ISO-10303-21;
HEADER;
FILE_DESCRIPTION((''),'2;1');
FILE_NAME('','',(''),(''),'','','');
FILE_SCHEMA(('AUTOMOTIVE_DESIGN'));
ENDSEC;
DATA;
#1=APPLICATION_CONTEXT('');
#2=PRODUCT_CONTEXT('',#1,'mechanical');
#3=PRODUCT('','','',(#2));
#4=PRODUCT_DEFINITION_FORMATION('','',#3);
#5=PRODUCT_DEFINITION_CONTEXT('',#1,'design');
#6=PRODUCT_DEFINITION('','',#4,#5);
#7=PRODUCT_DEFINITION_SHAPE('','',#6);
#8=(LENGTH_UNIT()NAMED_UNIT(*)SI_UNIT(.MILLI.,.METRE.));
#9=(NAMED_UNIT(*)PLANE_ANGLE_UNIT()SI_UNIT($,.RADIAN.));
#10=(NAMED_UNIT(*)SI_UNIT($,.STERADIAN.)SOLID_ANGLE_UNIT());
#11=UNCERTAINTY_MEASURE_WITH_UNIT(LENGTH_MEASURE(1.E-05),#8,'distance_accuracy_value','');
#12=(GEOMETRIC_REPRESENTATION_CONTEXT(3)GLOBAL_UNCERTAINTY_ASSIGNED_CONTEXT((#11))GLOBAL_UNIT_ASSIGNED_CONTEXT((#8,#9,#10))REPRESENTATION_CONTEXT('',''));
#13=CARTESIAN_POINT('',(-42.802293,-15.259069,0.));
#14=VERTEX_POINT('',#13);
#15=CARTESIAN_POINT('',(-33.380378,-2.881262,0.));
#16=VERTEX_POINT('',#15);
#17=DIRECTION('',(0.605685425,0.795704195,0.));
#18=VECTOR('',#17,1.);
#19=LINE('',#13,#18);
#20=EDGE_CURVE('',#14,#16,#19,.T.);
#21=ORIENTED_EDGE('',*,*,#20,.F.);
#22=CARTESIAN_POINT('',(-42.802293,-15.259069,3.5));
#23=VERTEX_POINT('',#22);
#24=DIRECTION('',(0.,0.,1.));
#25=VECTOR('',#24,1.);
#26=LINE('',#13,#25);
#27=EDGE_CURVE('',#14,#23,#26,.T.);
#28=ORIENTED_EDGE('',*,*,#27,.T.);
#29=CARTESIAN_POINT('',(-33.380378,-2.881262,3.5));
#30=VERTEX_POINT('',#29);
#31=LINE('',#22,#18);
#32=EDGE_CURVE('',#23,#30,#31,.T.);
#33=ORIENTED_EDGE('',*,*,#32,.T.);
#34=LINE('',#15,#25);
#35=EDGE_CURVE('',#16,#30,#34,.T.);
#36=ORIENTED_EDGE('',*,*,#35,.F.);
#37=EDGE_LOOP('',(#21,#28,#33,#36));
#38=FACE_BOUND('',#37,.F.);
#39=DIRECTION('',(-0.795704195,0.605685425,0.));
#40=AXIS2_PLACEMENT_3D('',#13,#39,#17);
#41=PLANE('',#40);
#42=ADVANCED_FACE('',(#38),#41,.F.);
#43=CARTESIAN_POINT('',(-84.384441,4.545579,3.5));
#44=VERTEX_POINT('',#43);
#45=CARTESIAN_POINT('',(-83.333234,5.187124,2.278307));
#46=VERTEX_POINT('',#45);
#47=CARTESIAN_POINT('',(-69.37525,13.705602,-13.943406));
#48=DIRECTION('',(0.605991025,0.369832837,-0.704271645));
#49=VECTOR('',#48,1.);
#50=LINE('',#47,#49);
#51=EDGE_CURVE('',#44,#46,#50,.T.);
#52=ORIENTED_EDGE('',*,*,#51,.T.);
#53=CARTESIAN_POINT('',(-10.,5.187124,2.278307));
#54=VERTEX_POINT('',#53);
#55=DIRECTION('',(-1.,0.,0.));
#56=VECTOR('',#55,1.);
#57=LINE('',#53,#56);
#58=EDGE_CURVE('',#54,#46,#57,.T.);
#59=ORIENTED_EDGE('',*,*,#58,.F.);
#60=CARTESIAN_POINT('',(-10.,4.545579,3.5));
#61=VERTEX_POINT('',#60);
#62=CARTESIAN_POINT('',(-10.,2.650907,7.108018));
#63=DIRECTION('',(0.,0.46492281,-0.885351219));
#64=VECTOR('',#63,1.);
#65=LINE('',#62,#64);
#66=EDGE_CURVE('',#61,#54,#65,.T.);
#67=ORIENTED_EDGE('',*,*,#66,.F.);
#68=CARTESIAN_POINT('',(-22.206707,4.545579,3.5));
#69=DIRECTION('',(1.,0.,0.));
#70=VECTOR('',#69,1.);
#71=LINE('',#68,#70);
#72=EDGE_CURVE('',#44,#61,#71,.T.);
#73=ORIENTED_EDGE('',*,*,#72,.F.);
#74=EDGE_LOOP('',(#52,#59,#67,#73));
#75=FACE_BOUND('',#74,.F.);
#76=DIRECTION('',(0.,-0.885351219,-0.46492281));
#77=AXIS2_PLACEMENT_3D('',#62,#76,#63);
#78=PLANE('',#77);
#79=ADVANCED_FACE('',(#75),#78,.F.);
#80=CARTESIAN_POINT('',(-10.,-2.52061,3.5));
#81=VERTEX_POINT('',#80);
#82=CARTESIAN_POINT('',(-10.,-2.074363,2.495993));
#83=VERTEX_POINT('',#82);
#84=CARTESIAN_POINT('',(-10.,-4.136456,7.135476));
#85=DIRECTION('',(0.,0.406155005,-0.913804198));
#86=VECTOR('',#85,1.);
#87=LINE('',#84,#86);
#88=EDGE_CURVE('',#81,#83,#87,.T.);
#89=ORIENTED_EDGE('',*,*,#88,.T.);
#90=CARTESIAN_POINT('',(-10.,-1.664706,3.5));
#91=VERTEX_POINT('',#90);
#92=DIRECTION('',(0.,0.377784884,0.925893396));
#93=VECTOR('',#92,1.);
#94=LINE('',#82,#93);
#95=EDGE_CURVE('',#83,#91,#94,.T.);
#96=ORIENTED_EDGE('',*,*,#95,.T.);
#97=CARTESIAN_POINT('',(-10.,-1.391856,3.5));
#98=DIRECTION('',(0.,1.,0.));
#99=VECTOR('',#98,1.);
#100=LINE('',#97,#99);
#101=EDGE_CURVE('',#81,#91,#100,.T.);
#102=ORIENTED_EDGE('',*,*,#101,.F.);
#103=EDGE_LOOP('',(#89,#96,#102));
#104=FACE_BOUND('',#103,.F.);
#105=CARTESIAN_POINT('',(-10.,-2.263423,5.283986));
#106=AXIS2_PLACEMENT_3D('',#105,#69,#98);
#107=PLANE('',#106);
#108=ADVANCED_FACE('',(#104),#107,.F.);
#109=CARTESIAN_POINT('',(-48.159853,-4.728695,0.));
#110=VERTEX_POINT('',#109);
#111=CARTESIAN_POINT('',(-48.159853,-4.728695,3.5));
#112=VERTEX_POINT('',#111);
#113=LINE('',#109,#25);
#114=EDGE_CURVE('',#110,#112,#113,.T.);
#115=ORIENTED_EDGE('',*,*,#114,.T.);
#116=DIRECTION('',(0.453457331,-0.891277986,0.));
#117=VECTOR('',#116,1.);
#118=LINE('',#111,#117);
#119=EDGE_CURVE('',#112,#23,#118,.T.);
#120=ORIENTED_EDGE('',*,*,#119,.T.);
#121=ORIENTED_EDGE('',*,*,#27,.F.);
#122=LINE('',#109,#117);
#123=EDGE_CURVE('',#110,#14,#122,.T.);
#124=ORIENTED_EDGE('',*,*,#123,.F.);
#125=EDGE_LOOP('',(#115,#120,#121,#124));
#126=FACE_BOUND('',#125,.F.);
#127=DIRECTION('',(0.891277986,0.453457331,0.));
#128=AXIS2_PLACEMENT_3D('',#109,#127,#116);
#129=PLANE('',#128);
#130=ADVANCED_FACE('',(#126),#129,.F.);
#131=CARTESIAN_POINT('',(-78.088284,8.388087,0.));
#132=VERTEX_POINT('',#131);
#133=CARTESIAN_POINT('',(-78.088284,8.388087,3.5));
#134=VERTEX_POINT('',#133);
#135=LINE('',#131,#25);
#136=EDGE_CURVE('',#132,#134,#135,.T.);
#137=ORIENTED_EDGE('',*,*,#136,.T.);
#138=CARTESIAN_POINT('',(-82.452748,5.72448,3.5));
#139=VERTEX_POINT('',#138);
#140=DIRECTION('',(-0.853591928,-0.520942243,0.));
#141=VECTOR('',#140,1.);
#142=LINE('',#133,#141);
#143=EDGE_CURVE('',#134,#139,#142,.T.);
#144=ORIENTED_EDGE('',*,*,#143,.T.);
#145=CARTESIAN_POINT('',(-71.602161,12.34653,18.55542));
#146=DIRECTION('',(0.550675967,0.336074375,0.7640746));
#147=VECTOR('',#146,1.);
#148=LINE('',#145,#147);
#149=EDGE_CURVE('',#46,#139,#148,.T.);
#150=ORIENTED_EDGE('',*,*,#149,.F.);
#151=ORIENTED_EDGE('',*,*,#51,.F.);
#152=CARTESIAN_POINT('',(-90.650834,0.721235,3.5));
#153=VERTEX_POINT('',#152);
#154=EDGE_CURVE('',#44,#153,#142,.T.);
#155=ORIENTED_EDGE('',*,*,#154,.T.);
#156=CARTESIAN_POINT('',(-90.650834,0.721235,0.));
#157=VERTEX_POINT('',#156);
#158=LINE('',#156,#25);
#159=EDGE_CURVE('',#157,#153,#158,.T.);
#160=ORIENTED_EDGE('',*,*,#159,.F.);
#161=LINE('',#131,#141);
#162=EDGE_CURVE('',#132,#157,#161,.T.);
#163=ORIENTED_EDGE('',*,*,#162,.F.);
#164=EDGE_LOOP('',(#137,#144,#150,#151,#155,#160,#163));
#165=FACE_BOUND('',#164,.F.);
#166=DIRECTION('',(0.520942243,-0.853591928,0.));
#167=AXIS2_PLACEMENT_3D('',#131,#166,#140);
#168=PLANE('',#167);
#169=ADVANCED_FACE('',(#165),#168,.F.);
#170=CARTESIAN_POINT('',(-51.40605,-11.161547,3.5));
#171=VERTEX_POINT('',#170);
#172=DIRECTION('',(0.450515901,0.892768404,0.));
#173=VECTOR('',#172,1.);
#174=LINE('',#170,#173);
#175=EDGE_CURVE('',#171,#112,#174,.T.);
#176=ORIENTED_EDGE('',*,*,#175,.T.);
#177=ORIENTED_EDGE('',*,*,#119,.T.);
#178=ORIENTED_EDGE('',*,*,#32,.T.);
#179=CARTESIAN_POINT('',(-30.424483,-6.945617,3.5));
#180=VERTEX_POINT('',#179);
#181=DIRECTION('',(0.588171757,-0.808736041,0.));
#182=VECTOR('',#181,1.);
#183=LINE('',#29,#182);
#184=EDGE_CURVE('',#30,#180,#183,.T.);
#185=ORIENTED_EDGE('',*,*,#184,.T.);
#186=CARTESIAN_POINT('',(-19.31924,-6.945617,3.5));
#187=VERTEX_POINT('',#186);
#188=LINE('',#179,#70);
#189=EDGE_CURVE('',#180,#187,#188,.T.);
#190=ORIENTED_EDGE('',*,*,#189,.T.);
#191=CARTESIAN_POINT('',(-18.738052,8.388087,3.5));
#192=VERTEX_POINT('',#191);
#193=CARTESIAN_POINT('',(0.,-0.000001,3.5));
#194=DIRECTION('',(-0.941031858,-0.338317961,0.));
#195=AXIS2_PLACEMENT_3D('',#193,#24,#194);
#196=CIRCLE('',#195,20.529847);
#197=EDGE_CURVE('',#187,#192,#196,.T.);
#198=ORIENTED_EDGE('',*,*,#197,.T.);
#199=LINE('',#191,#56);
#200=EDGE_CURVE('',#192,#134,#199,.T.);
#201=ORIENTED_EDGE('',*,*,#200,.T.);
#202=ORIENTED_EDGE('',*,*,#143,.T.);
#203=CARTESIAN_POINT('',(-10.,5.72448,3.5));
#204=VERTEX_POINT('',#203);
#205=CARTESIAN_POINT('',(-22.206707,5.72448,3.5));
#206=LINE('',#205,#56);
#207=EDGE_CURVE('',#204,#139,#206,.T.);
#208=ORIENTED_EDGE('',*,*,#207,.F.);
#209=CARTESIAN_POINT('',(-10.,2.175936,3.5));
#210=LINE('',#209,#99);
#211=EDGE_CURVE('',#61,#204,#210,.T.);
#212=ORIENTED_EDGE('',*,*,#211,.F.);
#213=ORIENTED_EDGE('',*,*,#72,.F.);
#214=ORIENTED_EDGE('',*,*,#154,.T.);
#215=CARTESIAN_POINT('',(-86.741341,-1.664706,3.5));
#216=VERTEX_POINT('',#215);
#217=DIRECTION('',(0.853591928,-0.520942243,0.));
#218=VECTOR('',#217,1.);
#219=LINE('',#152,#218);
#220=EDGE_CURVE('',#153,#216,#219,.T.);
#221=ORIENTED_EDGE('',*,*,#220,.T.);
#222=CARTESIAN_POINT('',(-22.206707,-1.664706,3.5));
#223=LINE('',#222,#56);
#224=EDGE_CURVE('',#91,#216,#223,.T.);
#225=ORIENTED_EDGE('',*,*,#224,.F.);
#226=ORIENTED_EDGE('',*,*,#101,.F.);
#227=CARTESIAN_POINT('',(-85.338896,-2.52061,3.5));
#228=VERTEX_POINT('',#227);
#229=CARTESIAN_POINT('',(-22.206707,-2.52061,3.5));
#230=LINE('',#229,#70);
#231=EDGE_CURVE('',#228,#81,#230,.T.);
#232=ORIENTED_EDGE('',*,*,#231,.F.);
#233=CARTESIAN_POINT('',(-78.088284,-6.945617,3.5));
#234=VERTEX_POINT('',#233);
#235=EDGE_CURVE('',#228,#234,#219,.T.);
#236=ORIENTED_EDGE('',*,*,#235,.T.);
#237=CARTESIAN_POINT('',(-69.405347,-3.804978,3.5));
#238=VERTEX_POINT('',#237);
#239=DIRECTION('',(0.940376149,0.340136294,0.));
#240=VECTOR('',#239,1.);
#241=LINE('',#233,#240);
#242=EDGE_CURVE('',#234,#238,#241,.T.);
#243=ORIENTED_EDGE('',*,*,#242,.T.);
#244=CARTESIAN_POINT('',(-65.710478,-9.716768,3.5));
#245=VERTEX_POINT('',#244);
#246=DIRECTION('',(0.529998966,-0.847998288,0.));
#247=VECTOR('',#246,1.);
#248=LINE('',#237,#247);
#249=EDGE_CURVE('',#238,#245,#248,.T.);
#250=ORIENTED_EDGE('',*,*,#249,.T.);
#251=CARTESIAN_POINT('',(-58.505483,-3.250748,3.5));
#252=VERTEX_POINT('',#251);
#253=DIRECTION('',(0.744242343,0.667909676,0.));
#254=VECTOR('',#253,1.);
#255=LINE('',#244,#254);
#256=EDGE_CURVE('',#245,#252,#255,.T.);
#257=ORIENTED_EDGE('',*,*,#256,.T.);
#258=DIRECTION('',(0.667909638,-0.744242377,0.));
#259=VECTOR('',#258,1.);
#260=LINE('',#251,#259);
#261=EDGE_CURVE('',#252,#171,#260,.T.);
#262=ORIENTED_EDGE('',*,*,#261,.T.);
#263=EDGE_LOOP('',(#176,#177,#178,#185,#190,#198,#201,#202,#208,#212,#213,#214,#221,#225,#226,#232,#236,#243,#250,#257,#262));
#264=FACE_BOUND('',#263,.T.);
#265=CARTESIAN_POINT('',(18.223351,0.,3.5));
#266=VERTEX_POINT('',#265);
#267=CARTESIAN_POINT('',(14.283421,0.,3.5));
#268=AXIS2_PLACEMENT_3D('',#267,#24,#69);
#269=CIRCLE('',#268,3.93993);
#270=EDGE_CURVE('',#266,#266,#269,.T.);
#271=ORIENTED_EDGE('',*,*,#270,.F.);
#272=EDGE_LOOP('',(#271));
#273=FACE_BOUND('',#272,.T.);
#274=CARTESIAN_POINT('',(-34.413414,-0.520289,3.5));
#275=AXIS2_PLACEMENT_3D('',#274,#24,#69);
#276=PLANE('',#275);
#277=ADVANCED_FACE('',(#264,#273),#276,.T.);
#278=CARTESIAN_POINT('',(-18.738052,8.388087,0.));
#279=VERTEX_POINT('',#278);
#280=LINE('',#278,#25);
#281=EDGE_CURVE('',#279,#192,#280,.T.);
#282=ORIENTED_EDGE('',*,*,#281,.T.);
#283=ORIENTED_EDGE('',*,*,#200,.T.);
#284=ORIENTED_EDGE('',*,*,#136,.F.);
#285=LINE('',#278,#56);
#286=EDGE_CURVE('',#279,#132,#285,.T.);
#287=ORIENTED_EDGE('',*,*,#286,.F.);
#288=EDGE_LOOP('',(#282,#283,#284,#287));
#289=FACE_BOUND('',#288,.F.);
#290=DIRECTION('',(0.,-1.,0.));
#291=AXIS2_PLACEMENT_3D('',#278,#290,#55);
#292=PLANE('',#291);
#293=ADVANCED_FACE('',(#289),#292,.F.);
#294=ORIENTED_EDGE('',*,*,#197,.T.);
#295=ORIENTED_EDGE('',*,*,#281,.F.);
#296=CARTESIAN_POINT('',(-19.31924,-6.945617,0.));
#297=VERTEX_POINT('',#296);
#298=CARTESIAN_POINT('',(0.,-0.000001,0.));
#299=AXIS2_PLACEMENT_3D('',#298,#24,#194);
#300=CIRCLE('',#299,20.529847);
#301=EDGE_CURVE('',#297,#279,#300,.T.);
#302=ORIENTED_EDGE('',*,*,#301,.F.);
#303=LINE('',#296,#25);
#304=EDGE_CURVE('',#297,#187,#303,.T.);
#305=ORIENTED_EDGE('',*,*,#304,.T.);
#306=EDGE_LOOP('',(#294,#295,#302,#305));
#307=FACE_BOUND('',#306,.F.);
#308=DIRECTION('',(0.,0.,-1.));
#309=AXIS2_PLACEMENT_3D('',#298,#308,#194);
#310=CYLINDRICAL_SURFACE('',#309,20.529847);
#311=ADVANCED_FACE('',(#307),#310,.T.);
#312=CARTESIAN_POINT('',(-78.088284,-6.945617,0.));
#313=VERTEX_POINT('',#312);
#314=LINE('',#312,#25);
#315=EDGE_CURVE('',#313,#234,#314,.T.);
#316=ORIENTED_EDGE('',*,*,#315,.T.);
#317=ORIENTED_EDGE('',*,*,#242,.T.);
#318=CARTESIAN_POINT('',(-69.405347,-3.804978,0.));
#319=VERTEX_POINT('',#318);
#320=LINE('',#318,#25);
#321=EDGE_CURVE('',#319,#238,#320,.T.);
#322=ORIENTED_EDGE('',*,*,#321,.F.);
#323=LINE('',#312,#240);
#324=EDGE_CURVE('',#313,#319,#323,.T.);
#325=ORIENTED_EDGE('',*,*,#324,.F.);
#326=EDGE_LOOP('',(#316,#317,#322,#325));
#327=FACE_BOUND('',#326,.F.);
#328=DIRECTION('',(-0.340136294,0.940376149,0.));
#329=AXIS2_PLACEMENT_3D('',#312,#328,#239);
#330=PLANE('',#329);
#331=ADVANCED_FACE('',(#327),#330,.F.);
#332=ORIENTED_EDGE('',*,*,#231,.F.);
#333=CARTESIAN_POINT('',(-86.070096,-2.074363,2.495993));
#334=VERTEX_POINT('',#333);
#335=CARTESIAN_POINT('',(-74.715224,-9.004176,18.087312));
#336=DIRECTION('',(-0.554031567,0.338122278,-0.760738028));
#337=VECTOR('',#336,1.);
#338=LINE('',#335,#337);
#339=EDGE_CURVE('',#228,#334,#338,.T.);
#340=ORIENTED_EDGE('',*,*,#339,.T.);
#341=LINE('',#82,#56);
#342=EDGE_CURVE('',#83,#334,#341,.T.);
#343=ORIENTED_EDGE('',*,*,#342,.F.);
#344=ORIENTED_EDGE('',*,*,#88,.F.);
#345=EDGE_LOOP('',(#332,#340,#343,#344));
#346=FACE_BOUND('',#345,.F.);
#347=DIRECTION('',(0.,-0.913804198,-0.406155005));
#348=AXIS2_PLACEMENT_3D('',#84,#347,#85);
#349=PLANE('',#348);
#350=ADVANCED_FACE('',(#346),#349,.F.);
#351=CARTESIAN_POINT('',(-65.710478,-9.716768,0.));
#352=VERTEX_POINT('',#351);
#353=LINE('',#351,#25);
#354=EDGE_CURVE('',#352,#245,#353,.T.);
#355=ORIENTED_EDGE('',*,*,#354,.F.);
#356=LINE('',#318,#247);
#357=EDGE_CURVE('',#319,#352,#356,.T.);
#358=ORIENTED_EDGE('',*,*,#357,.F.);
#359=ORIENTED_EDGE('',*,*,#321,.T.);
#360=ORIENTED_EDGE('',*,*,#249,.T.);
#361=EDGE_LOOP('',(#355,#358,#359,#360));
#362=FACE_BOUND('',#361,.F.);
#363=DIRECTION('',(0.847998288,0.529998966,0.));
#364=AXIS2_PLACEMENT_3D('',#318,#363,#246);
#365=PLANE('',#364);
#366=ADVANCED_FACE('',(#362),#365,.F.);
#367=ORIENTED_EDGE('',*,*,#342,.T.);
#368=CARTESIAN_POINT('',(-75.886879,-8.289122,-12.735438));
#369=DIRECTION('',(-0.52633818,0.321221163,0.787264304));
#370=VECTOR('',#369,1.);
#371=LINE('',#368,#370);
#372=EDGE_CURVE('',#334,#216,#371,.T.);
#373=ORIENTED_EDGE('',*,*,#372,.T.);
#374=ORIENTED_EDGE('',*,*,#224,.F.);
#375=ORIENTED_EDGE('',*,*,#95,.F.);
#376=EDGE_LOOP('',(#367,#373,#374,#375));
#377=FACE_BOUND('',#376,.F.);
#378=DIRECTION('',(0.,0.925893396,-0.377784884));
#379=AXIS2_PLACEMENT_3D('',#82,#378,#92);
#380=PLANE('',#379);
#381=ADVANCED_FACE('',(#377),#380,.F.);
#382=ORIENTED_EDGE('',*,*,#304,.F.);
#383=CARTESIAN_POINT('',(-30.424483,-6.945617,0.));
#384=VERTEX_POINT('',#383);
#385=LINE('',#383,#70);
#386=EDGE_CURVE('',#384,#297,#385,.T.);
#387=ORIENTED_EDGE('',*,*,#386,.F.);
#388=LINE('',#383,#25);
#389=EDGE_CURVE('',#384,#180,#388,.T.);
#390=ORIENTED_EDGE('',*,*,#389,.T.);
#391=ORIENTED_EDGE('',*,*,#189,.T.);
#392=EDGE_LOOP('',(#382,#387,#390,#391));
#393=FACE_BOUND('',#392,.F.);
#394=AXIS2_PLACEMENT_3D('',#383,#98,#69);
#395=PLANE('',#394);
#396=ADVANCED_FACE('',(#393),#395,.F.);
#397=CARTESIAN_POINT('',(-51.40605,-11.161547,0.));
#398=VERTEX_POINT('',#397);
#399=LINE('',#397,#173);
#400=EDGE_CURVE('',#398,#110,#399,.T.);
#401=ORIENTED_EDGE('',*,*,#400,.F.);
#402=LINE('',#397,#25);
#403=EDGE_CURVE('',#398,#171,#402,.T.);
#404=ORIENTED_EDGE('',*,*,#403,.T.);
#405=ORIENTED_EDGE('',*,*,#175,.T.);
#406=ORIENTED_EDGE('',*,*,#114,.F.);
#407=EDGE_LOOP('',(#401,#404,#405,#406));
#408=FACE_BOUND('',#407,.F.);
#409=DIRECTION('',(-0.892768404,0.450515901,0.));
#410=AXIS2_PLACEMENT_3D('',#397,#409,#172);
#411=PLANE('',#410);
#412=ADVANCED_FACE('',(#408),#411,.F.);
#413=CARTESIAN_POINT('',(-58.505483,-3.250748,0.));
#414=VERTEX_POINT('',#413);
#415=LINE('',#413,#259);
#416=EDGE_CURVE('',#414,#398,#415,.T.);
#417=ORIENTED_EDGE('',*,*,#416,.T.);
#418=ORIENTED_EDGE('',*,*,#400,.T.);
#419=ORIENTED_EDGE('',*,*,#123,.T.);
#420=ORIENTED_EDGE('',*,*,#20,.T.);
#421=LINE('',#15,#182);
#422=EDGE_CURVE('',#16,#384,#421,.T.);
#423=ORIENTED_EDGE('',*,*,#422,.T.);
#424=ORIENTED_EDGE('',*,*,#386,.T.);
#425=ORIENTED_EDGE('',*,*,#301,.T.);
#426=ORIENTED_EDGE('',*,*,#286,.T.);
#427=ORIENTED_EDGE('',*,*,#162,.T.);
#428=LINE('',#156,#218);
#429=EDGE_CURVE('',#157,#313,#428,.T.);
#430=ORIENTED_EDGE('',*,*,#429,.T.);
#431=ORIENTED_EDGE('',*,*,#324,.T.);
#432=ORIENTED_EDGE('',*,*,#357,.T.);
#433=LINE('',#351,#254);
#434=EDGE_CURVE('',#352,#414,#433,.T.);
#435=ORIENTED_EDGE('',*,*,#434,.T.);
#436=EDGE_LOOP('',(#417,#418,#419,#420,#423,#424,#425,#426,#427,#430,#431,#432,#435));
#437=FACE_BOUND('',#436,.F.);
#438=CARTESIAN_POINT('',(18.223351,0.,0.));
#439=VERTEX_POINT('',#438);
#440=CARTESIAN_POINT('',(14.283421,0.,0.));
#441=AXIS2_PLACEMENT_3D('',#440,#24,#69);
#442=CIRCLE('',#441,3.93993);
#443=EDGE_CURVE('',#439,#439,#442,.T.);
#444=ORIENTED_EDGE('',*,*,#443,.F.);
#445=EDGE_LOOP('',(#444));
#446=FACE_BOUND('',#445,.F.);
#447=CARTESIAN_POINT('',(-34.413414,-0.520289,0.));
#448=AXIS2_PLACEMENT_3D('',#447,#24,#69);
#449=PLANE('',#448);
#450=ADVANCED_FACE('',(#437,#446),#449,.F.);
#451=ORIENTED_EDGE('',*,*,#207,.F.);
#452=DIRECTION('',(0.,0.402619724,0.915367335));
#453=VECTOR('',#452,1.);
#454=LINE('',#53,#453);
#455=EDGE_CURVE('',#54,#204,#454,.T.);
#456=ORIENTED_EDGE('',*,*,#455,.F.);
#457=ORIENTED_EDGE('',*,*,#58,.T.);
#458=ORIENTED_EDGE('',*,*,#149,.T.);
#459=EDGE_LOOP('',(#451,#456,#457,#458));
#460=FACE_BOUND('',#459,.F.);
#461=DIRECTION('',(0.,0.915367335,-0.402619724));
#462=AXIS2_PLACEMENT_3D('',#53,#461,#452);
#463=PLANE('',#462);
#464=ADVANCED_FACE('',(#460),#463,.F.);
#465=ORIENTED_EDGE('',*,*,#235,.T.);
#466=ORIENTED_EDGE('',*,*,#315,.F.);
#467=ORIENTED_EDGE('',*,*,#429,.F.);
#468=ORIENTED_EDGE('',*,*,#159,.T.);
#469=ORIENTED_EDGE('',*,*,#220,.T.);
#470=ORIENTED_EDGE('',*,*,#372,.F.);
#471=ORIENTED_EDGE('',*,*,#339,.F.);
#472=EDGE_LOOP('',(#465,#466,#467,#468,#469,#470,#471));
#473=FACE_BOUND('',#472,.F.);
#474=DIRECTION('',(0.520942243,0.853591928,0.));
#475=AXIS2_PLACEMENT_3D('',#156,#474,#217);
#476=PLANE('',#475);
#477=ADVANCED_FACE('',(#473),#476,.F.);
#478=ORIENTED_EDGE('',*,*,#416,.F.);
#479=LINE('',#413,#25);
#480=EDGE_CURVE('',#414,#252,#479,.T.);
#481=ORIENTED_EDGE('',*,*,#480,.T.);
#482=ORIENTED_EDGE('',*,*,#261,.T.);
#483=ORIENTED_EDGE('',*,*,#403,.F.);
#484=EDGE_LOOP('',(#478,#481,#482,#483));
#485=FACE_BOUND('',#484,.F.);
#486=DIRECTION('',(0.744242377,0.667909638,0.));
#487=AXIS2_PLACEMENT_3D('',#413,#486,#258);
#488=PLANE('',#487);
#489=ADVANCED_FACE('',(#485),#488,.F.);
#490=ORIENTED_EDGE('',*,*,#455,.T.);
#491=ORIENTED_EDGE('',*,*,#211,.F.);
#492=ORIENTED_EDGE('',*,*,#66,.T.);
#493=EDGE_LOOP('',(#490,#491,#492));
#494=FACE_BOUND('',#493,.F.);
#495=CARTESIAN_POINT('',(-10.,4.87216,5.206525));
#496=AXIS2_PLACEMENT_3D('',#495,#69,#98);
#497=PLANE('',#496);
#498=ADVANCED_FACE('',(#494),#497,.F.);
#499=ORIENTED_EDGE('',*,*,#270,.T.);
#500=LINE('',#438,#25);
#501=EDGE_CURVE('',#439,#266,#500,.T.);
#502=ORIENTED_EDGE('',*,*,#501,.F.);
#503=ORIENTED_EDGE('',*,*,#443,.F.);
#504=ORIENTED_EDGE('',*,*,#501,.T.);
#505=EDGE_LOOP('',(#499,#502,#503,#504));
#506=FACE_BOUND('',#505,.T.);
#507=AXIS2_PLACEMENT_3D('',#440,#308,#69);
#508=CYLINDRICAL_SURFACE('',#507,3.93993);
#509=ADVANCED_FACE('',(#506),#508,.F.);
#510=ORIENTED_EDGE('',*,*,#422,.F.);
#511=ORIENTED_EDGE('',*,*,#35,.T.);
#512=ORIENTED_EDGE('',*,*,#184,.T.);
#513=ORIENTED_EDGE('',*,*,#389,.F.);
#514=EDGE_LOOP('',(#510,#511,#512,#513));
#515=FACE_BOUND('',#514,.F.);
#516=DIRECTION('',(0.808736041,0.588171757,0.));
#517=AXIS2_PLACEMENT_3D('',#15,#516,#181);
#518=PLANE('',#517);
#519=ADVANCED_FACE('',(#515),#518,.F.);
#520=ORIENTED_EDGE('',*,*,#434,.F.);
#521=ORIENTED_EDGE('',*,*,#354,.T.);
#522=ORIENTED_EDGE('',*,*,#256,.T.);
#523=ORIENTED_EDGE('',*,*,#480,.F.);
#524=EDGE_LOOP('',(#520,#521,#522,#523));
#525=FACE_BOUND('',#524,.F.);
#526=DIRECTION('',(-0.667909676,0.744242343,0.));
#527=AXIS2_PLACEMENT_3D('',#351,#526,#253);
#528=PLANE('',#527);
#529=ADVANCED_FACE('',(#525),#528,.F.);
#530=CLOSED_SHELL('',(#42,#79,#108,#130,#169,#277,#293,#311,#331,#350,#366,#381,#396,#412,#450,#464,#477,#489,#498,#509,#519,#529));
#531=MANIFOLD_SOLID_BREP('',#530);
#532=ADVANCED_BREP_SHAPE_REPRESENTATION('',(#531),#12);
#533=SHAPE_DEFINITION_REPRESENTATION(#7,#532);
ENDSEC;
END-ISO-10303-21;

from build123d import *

# Parameters (mm, degrees)
F0_R     = 3.93993
F1_DEPTH = 3.5
F4_DEPTH = 150


with BuildPart() as f1:
    # F0 (on Top) → F1 (new body)
    with BuildSketch(Plane.XY):
        with BuildLine():
            Line((-30.424483, -6.945617), (-19.31924, -6.945617))
            ThreePointArc((-19.31924, -6.945617), (20.515116, -0.777576), (-18.738052, 8.388087))
            Line((-18.738052, 8.388087), (-78.088284, 8.388087))
            Line((-78.088284, 8.388087), (-90.650834, 0.721235))
            Line((-90.650834, 0.721235), (-78.088284, -6.945617))
            Line((-78.088284, -6.945617), (-69.405347, -3.804978))
            Line((-69.405347, -3.804978), (-65.710478, -9.716768))
            Line((-65.710478, -9.716768), (-58.505483, -3.250748))
            Line((-58.505483, -3.250748), (-51.40605, -11.161547))
            Line((-51.40605, -11.161547), (-48.159853, -4.728695))
            Line((-48.159853, -4.728695), (-42.802293, -15.259069))
            Line((-42.802293, -15.259069), (-33.380378, -2.881262))
            Line((-33.380378, -2.881262), (-30.424483, -6.945617))
        make_face()
        with Locations((14.283421, 0)):
            Circle(F0_R, mode=Mode.SUBTRACT)
    extrude(amount=F1_DEPTH)

    # F3 (on offset) → F4 (cut)
    with BuildSketch(Plane.YZ.offset(-10)):
        Polygon((5.187124, 2.278307), (6.987329, 6.371124), (2.650907, 7.108018), align=None)
        Polygon((-2.074363, 2.495993), (-0.437801, 6.506958), (-4.136456, 7.135476), align=None)
    extrude(amount=-F4_DEPTH, mode=Mode.SUBTRACT)


solid = f1.part
